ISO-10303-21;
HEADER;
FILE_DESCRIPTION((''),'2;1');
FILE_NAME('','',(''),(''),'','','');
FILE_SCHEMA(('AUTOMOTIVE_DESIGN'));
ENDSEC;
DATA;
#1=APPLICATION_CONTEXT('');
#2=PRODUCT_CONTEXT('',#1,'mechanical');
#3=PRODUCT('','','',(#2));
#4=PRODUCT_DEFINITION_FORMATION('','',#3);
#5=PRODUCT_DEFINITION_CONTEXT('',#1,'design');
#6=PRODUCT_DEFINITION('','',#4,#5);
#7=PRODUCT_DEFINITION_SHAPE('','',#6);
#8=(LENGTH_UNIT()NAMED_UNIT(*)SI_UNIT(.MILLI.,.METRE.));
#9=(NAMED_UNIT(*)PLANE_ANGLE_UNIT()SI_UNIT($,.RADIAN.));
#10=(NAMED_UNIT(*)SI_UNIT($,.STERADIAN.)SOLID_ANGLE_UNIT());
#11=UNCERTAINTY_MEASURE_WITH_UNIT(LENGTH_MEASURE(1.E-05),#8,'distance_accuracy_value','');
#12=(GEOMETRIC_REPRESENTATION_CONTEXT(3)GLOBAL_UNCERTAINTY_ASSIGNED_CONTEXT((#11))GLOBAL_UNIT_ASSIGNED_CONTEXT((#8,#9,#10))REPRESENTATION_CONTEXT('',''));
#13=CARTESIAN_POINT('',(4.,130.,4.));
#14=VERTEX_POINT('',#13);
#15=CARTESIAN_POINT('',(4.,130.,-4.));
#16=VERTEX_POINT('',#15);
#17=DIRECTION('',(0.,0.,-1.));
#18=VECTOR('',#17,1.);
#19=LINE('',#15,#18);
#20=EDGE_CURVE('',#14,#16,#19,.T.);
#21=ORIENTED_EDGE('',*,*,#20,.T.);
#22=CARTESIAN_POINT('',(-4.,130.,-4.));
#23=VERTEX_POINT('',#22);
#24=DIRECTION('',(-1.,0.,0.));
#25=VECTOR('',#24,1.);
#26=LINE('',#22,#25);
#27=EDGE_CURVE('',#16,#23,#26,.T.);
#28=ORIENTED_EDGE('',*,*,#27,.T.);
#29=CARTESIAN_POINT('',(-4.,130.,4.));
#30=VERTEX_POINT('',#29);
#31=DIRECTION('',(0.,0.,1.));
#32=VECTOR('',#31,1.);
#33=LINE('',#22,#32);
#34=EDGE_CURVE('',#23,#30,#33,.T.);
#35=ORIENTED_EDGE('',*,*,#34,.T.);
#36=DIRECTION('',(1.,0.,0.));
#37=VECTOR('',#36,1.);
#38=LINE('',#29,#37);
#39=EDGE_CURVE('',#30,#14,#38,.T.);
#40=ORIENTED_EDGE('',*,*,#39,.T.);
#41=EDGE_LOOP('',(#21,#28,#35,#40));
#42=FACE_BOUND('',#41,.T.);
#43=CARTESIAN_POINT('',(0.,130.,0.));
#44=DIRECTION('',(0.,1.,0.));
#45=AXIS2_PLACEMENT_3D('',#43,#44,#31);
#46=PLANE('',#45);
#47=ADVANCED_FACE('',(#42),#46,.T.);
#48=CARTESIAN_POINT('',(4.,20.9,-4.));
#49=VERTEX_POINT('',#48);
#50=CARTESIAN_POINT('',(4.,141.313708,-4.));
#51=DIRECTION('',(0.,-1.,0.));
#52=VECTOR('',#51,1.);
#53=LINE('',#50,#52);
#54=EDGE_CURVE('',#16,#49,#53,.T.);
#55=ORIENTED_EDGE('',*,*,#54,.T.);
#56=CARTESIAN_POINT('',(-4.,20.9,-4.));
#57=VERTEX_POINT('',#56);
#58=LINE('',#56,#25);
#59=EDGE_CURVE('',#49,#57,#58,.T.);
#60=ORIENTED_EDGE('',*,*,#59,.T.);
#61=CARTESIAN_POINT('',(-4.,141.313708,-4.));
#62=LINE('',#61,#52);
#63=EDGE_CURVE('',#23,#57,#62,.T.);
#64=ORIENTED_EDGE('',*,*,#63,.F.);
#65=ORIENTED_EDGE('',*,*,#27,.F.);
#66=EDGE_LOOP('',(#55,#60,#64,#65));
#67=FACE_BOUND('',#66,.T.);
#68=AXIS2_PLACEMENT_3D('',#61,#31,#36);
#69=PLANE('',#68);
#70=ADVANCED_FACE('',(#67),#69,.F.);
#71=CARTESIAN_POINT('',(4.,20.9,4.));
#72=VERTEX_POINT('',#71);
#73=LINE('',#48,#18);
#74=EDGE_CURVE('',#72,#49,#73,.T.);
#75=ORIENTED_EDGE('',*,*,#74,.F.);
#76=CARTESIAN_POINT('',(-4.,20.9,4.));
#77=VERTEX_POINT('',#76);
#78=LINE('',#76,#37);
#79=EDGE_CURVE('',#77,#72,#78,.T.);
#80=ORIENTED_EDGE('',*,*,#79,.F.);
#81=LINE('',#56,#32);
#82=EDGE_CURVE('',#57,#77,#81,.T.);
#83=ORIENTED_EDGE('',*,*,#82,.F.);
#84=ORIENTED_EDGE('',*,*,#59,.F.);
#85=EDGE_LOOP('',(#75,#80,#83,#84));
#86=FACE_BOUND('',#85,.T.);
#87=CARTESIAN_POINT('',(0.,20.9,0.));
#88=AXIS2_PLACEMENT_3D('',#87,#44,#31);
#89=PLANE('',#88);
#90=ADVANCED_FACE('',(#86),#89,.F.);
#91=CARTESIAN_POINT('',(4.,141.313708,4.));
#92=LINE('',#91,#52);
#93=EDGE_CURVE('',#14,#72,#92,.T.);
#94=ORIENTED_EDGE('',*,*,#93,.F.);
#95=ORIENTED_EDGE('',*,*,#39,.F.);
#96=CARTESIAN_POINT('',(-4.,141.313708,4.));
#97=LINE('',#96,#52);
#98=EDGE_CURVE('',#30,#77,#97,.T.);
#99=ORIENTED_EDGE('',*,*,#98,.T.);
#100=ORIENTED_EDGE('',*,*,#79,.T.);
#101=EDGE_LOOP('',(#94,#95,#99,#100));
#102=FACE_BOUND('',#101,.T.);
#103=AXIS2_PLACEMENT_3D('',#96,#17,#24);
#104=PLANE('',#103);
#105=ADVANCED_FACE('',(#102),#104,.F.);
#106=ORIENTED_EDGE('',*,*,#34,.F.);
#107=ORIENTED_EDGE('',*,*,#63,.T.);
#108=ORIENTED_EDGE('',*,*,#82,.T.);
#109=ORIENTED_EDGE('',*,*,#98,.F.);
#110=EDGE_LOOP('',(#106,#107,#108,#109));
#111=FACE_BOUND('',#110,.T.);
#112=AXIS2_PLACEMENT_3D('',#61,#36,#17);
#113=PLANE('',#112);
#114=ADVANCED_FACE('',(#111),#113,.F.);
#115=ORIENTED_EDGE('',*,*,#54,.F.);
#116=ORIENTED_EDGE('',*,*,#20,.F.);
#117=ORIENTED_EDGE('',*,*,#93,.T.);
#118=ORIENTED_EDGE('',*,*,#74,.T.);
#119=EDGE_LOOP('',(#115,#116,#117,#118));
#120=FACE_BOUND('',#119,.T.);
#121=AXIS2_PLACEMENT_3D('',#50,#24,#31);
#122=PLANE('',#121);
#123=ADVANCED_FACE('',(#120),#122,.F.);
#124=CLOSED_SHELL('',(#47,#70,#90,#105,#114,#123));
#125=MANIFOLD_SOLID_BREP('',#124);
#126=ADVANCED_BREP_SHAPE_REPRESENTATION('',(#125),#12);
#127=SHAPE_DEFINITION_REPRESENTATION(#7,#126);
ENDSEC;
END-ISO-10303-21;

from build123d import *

# Parameters (mm, degrees)
SKETCH_34_W         = 44.1
SKETCH_34_H         = 35
EXTRUDE_1_DEPTH     = 20.9
SKETCH_35_W         = 8
SKETCH_35_H         = 8
EXTRUDE_2_DEPTH     = 109.1
SKETCH_36_W         = 3
SKETCH_36_H         = 3
EXTRUDE_3_DEPTH     = 109
SKETCH_37_W         = 130
SKETCH_37_H         = 130
CUT_EXTRUDE_1_DEPTH = 110
SKETCH_38_W         = 130
SKETCH_38_H         = 130
CUT_EXTRUDE_2_DEPTH = 21.9


with BuildPart() as part:
    # ｽｹｯﾁ34 → ﾎﾞｽ - 押し出し1 (new body)
    with BuildSketch(Plane(origin=(0, 0, 0), x_dir=(1, 0, 0), z_dir=(0, 1, 0))):
        Rectangle(SKETCH_34_W, SKETCH_34_H)
    extrude(amount=EXTRUDE_1_DEPTH)

    # ｽｹｯﾁ35 → ﾎﾞｽ - 押し出し2 (add)
    with BuildSketch(Plane(origin=(0, 20.9, 0), x_dir=(1, 0, 0), z_dir=(0, 1, 0))):
        Rectangle(SKETCH_35_W, SKETCH_35_H)
    extrude(amount=EXTRUDE_2_DEPTH)

    # ｽｹｯﾁ36 → ﾎﾞｽ - 押し出し3 (add)
    with BuildSketch(Plane(origin=(0, 130, 0), x_dir=(1, 0, 0), z_dir=(0, 1, 0))):
        Rectangle(SKETCH_36_W, SKETCH_36_H)
    extrude(amount=EXTRUDE_3_DEPTH)

    # ｽｹｯﾁ37 → ｶｯﾄ - 押し出し1 (cut, through all)
    with BuildSketch(Plane(origin=(0, 130, 0), x_dir=(1, 0, 0), z_dir=(0, 1, 0))):
        Rectangle(SKETCH_37_W, SKETCH_37_H)
    extrude(amount=CUT_EXTRUDE_1_DEPTH, mode=Mode.SUBTRACT)

    # ｽｹｯﾁ38 → ｶｯﾄ - 押し出し2 (cut, through all)
    with BuildSketch(Plane(origin=(0, 20.9, 0), x_dir=(1, 0, 0), z_dir=(0, 1, 0))):
        Rectangle(SKETCH_38_W, SKETCH_38_H)
    extrude(amount=-CUT_EXTRUDE_2_DEPTH, mode=Mode.SUBTRACT)


solid = part.part
